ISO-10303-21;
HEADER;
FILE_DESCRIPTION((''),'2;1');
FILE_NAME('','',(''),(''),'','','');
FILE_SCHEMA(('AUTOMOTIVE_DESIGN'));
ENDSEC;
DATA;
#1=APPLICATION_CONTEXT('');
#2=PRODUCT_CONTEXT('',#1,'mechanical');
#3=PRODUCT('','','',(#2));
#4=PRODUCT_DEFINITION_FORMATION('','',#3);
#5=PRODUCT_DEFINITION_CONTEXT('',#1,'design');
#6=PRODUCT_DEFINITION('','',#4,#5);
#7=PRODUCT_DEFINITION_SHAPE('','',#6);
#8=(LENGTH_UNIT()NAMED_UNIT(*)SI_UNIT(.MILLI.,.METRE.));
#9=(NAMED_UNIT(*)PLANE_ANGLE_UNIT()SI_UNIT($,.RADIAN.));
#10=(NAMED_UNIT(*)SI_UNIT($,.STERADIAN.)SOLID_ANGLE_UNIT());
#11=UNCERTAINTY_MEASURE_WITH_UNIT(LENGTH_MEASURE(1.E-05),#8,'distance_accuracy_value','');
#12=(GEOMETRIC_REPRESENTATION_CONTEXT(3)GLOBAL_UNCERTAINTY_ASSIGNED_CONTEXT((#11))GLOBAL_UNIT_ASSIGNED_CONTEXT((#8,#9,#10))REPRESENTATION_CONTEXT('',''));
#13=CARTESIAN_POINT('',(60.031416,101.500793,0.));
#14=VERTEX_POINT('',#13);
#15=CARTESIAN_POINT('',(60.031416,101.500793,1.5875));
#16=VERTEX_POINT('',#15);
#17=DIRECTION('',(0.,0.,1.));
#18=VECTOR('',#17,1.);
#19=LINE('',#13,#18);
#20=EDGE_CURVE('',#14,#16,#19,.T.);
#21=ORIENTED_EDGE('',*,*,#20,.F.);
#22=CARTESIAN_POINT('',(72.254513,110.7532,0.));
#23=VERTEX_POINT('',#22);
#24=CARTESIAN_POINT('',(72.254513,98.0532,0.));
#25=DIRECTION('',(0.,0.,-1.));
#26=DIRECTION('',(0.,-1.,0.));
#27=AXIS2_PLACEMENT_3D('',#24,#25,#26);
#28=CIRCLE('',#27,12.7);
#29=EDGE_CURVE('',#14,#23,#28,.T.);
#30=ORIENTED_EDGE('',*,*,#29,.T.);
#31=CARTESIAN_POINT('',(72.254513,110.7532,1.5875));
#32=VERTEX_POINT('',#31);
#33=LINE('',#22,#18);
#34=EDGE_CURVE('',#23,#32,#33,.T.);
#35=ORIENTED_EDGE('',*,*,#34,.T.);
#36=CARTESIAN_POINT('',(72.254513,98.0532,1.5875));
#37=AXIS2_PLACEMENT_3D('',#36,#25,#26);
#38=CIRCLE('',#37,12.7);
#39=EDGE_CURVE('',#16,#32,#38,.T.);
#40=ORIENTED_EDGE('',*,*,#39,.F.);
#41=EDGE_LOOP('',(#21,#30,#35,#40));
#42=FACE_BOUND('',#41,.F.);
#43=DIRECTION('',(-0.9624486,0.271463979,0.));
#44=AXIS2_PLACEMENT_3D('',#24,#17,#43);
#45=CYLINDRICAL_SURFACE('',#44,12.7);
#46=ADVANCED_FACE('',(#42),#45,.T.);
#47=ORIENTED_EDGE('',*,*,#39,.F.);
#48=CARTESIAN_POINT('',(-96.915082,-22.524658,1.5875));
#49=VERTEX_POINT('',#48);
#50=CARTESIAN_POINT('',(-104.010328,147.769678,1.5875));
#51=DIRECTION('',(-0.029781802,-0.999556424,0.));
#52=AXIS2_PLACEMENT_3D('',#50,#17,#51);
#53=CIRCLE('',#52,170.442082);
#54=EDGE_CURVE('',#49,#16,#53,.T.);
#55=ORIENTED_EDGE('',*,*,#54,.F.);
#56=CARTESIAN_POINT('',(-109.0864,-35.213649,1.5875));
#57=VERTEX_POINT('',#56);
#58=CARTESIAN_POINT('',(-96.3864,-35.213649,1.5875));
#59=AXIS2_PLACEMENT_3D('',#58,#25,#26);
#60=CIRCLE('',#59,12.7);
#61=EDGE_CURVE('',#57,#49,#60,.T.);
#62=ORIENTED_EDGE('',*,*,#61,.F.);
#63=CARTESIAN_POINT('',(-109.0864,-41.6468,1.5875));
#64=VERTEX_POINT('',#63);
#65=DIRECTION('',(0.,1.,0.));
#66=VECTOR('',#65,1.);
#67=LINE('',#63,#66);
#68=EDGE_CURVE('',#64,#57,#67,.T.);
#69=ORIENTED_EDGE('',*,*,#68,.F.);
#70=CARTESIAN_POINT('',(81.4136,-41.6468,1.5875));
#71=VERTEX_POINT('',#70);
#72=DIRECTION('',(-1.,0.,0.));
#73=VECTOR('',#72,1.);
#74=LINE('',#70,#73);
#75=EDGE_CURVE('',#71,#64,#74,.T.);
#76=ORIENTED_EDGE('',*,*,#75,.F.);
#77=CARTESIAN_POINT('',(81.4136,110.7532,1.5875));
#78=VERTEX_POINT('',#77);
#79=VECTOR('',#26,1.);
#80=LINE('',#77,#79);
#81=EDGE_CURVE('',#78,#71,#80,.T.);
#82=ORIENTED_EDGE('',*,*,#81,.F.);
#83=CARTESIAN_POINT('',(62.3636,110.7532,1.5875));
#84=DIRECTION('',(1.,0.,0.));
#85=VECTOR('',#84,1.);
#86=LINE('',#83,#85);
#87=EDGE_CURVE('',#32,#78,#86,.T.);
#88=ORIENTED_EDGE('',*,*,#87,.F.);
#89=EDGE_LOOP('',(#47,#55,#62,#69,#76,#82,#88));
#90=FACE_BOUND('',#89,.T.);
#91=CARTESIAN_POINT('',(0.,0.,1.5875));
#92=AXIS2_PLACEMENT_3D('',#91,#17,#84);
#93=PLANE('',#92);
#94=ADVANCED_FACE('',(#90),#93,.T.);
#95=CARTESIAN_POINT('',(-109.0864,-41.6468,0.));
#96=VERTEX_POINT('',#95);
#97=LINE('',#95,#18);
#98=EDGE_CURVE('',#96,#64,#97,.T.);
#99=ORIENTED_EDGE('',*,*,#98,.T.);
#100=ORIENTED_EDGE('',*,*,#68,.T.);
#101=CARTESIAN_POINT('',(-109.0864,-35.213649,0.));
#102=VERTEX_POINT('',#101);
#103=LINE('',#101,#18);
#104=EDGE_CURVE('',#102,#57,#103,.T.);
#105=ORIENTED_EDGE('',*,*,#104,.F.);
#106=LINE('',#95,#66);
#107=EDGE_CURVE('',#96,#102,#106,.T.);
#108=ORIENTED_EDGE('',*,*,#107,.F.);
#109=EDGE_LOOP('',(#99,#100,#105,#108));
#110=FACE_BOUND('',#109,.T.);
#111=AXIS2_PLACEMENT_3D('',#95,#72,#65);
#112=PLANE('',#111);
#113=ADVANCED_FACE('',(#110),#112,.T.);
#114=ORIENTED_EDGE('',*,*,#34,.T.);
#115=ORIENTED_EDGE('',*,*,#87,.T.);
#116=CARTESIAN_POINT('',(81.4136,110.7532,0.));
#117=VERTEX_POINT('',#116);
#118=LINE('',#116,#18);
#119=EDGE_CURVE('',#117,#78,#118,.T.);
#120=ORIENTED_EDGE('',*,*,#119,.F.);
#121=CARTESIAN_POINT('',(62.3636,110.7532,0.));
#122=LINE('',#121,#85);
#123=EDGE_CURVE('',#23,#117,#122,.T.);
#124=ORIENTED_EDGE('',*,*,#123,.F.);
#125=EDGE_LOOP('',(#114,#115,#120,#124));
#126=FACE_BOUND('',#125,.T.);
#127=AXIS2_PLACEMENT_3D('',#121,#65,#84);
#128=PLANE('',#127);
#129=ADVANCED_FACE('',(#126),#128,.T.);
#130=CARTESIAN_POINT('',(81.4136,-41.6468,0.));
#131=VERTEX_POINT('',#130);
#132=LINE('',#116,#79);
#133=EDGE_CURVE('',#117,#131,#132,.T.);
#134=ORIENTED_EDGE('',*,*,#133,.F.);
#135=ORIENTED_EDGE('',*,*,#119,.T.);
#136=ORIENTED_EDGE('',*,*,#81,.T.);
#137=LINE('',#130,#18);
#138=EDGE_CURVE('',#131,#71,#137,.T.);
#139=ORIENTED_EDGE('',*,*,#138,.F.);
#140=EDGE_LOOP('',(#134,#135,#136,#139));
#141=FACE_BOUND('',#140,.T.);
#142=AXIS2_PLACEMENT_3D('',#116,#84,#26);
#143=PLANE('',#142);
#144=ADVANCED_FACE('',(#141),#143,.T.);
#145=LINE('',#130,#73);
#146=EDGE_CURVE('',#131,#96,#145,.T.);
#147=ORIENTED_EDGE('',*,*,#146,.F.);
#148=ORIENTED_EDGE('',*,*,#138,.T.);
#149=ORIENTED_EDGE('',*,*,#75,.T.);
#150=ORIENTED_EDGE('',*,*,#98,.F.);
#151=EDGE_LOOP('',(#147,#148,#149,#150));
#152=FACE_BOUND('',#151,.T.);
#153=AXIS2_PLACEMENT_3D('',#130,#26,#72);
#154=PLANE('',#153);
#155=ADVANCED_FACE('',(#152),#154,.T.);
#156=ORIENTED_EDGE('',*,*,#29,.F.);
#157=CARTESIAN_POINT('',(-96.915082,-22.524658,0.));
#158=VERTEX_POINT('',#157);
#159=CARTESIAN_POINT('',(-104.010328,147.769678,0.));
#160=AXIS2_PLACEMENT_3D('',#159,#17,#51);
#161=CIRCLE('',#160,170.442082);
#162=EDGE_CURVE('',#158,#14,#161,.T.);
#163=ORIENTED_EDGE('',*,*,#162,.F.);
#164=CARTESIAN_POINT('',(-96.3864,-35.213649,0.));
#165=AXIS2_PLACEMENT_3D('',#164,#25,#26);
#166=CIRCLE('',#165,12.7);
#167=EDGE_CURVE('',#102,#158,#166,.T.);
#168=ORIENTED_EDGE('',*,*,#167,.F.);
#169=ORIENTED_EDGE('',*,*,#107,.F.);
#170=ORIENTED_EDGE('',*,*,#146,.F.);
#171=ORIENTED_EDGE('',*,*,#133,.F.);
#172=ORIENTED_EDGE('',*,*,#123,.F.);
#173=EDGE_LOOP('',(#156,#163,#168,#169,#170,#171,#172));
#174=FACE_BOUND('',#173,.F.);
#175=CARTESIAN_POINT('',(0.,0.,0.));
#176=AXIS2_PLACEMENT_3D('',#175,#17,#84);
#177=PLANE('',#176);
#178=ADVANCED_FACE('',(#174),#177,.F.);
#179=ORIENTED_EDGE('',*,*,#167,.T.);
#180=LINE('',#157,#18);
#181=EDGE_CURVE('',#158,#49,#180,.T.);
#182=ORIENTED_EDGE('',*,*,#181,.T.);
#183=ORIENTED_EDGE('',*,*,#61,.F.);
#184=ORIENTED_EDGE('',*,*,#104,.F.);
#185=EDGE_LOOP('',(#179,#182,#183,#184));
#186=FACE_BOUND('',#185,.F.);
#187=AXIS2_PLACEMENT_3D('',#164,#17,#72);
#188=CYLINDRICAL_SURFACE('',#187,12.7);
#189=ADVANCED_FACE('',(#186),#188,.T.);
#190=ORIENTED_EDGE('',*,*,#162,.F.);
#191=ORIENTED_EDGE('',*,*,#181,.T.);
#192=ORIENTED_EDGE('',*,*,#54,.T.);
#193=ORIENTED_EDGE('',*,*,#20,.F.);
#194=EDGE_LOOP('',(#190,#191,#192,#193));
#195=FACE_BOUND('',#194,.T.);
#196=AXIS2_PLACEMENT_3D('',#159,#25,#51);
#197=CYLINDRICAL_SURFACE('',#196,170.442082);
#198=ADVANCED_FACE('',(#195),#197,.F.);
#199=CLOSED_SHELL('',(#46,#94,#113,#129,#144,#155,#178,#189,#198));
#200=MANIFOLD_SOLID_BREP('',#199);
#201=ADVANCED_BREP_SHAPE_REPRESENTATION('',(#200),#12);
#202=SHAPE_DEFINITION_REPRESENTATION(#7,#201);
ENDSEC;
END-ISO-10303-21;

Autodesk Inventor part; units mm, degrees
ref_plane "YZ Plane" through (0, 0, 0) normal (1, 0, 0) x (0, 1, 0)
ref_plane "XZ Plane" through (0, 0, 0) normal (0, 1, 0) x (-1, 0, 0)
ref_plane "XY Plane" through (0, 0, 0) normal (0, 0, 1) x (1, 0, 0)
sketch "Sketch1" plane through (0, 0, 0) normal (0, 0, 1) x (1, 0, 0)
  line L0 (-109.0864, -41.6468) -> (-109.0864, -22.5968)
  line L1 (62.3636, 110.7532) -> (81.4136, 110.7532)
  line L2 (81.4136, 110.7532) -> (81.4136, -41.6468)
  line L3 (81.4136, -41.6468) -> (-109.0864, -41.6468)
  arc A0 (-109.0864, -22.5968) -> (62.3636, 110.7532) centre (-104.0104, 147.7699) ccw
  point P0 (0, 0)
  dimension "d0" = 19.05
  dimension "d1" = 152.4
  dimension "d2" = 19.05
  dimension "d3" = 190.5
extrude "Extrusion1" add sketch "Sketch1" along normal blind 1.5875
fillet "Fillet1" radius 12.7 2 edges at (62.3636, 110.7532, 0.7937) (-109.0864, -22.5968, 0.7937)
properties part number "Shovel_SideWall" material "Aluminum-6061"
